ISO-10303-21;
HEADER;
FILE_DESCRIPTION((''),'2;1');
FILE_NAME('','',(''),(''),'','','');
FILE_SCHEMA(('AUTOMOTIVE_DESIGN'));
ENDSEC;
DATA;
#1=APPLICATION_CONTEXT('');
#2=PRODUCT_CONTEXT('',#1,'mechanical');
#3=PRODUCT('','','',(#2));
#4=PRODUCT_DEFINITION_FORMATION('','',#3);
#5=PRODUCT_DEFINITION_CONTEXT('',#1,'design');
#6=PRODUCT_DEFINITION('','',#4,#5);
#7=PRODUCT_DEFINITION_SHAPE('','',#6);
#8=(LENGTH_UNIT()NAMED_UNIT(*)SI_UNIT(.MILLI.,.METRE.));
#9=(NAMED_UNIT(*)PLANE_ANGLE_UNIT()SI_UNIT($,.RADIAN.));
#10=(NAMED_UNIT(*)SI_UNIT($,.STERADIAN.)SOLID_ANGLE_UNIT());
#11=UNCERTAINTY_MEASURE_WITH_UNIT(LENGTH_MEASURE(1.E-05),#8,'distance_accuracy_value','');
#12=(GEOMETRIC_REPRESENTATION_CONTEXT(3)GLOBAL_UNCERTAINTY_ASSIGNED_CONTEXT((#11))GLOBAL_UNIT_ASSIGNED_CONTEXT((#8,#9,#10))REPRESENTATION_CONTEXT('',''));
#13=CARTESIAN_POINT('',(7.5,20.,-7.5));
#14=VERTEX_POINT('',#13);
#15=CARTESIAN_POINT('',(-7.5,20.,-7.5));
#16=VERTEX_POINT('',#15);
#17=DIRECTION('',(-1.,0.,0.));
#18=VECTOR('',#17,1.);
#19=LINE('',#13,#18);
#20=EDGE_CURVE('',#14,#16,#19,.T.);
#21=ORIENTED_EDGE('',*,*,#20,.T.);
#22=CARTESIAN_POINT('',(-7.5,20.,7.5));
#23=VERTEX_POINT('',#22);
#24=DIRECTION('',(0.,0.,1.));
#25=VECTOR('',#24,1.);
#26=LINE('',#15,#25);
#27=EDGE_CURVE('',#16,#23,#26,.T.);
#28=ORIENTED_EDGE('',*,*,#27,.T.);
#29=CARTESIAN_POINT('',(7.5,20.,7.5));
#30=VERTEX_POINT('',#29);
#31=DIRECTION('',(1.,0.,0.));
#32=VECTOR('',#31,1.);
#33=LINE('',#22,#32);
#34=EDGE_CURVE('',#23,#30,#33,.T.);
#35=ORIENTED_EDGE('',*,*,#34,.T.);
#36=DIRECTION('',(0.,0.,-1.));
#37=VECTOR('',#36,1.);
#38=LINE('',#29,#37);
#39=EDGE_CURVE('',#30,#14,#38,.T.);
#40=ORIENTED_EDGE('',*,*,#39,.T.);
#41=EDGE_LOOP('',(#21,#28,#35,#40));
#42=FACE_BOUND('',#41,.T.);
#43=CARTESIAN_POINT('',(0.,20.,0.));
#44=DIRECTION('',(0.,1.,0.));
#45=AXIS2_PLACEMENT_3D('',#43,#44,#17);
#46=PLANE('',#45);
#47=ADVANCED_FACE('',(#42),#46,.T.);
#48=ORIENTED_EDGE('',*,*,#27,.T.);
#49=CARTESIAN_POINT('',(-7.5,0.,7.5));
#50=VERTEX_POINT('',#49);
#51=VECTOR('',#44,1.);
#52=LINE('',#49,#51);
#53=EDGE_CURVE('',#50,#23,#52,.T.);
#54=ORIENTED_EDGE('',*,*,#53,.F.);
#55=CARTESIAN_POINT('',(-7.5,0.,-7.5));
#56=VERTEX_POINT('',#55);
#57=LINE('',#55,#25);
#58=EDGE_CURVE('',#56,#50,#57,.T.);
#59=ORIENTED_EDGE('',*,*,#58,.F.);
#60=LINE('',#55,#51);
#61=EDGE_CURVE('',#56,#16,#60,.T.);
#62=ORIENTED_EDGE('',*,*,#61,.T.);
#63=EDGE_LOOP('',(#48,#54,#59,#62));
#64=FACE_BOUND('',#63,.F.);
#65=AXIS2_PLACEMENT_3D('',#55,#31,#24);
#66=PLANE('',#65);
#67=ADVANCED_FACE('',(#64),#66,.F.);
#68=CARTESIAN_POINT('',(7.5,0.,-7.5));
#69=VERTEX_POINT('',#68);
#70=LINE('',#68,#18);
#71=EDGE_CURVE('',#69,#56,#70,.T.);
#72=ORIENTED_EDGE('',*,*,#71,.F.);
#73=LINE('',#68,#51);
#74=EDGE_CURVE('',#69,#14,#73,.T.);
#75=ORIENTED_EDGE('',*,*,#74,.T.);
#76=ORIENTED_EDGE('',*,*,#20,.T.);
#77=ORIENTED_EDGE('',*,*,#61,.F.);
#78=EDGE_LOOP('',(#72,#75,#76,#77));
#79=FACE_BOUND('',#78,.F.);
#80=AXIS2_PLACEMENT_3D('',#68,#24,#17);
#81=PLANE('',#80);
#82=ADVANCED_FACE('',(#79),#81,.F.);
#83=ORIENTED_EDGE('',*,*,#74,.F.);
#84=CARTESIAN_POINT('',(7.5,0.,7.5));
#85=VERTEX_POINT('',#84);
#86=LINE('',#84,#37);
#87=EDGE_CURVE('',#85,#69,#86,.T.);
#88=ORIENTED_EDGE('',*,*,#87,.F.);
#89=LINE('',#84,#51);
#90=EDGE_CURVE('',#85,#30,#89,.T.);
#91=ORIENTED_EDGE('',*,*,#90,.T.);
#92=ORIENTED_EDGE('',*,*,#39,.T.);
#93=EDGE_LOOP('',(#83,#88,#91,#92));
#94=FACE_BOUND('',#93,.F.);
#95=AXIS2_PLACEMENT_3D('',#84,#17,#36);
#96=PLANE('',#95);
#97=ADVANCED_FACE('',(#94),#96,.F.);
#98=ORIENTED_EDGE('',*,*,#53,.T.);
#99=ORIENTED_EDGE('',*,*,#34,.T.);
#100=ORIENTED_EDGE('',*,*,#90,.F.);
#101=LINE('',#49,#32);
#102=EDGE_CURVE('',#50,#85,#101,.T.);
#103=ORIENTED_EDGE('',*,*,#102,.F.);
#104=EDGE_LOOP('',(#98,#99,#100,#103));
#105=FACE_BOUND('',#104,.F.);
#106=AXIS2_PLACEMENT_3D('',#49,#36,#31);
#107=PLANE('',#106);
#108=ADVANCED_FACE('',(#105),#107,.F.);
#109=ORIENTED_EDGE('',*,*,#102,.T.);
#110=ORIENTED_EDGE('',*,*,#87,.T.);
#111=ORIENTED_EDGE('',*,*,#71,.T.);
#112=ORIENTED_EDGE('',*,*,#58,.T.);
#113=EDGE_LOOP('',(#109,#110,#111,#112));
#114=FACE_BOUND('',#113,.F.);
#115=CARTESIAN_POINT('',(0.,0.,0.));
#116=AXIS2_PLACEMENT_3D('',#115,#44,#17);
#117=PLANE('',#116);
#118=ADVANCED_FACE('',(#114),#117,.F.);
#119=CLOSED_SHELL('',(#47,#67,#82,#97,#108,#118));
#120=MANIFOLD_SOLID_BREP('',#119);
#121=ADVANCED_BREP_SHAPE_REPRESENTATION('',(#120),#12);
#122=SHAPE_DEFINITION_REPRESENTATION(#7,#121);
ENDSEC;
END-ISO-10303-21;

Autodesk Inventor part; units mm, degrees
ref_plane "YZ Plane" through (0, 0, 0) normal (1, 0, 0) x (0, 1, 0)
ref_plane "XZ Plane" through (0, 0, 0) normal (0, 1, 0) x (-1, 0, 0)
ref_plane "XY Plane" through (0, 0, 0) normal (0, 0, 1) x (1, 0, 0)
sketch "Sketch1" plane through (0, 0, 0) normal (0, 1, 0) x (-1, 0, 0)
  line L0 (7.5, 7.5) -> (-7.5, 7.5)
  line L1 (-7.5, 7.5) -> (-7.5, -7.5)
  line L2 (-7.5, -7.5) -> (7.5, -7.5)
  line L3 (7.5, -7.5) -> (7.5, 7.5)
  line L4 (7.5, 7.5) -> (-7.5, -7.5) construction
  line L5 (-7.5, 7.5) -> (7.5, -7.5) construction
  point P0 (0, 0)
  dimension "d0" = 15
  dimension "d1" = 15
extrude "Extrusion1" add sketch "Sketch1" along normal blind 20
properties part number "REMEDIO3"
